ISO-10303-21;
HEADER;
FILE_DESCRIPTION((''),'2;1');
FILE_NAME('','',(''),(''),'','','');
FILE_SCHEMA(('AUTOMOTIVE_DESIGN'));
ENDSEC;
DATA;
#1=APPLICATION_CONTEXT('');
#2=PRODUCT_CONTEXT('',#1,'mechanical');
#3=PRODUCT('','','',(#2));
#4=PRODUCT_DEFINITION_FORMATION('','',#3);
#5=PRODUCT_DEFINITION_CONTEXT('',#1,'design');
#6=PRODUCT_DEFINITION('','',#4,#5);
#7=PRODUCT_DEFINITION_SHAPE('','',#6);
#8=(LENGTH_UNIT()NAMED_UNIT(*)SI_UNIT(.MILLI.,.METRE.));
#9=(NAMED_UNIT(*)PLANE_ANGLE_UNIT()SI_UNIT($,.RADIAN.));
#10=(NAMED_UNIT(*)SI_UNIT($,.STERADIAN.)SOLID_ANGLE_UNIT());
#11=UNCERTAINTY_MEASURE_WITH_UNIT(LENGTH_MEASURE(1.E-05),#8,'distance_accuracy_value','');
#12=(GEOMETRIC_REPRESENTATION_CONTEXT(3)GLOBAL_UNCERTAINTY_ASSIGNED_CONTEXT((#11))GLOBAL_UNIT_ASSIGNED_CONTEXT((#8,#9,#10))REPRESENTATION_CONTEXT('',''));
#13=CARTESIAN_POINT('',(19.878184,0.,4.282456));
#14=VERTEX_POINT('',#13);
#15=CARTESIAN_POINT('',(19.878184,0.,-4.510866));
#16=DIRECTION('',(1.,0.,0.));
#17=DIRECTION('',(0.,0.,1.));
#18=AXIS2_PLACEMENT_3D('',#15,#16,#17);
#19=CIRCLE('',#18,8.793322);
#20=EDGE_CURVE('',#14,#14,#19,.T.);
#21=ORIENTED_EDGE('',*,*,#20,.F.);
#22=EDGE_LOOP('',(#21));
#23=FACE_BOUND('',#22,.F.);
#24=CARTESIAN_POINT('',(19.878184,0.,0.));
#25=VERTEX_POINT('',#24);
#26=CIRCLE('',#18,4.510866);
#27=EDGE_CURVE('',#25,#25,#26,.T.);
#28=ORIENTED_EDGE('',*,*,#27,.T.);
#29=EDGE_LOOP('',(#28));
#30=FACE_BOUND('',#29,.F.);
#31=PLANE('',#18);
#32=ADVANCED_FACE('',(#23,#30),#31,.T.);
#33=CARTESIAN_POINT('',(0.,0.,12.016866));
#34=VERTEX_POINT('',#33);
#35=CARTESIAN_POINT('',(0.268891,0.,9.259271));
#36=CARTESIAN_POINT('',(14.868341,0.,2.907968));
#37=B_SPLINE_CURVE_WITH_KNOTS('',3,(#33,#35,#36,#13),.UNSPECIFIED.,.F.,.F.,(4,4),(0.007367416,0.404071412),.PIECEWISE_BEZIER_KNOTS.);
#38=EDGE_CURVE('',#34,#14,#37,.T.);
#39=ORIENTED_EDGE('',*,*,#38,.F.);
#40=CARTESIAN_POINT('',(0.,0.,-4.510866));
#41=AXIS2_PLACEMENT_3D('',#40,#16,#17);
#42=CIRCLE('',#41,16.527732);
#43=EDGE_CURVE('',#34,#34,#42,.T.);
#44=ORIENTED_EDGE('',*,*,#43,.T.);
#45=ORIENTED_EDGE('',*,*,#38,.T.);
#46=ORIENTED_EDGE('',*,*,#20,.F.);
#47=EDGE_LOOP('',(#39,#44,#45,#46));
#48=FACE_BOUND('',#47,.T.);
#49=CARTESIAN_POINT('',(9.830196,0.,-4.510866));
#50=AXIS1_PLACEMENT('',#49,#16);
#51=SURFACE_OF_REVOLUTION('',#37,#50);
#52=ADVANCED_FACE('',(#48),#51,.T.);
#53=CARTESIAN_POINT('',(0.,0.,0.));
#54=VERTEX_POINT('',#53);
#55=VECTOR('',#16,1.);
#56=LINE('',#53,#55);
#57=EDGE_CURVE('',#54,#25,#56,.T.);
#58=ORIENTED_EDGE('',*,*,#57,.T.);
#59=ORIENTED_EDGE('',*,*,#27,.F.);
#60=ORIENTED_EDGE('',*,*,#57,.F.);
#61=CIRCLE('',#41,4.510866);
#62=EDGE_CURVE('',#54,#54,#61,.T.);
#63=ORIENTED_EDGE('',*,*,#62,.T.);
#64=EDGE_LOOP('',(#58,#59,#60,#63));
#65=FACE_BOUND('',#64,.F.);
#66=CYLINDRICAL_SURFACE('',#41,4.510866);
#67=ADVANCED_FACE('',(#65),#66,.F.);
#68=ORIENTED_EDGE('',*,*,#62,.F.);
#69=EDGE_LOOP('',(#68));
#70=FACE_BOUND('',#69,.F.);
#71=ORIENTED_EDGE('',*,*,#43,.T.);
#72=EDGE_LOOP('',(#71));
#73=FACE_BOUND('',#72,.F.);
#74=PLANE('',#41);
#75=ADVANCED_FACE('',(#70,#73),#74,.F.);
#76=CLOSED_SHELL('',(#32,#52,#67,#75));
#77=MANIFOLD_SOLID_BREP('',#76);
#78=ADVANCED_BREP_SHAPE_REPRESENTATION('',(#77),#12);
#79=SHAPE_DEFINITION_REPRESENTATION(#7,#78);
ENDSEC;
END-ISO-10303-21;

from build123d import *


with BuildPart() as f1:
    # F0 (on Front) → F1 (revolve)
    with BuildSketch(Plane.XZ):
        with BuildLine():
            Line((0, 12.0168656917), (0, 0))
            Line((0, 0), (19.8781844229, 0))
            Line((19.8781844229, 0), (19.8781844229, 4.282456357))
            add(Edge.make_bspline(
                [(0, 12.0168656917), (0.26889105, 9.2592705648), (14.8683413449, 2.907967565), (19.8781844229, 4.282456357)],
                knots=[0.0073674165, 0.0073674165, 0.0073674165, 0.0073674165, 0.4040714124, 0.4040714124, 0.4040714124, 0.4040714124], degree=3))
        make_face()
    revolve(axis=Axis((9.8301963881, 0, -4.5108660124), (1, 0, 0)))


solid = f1.part
